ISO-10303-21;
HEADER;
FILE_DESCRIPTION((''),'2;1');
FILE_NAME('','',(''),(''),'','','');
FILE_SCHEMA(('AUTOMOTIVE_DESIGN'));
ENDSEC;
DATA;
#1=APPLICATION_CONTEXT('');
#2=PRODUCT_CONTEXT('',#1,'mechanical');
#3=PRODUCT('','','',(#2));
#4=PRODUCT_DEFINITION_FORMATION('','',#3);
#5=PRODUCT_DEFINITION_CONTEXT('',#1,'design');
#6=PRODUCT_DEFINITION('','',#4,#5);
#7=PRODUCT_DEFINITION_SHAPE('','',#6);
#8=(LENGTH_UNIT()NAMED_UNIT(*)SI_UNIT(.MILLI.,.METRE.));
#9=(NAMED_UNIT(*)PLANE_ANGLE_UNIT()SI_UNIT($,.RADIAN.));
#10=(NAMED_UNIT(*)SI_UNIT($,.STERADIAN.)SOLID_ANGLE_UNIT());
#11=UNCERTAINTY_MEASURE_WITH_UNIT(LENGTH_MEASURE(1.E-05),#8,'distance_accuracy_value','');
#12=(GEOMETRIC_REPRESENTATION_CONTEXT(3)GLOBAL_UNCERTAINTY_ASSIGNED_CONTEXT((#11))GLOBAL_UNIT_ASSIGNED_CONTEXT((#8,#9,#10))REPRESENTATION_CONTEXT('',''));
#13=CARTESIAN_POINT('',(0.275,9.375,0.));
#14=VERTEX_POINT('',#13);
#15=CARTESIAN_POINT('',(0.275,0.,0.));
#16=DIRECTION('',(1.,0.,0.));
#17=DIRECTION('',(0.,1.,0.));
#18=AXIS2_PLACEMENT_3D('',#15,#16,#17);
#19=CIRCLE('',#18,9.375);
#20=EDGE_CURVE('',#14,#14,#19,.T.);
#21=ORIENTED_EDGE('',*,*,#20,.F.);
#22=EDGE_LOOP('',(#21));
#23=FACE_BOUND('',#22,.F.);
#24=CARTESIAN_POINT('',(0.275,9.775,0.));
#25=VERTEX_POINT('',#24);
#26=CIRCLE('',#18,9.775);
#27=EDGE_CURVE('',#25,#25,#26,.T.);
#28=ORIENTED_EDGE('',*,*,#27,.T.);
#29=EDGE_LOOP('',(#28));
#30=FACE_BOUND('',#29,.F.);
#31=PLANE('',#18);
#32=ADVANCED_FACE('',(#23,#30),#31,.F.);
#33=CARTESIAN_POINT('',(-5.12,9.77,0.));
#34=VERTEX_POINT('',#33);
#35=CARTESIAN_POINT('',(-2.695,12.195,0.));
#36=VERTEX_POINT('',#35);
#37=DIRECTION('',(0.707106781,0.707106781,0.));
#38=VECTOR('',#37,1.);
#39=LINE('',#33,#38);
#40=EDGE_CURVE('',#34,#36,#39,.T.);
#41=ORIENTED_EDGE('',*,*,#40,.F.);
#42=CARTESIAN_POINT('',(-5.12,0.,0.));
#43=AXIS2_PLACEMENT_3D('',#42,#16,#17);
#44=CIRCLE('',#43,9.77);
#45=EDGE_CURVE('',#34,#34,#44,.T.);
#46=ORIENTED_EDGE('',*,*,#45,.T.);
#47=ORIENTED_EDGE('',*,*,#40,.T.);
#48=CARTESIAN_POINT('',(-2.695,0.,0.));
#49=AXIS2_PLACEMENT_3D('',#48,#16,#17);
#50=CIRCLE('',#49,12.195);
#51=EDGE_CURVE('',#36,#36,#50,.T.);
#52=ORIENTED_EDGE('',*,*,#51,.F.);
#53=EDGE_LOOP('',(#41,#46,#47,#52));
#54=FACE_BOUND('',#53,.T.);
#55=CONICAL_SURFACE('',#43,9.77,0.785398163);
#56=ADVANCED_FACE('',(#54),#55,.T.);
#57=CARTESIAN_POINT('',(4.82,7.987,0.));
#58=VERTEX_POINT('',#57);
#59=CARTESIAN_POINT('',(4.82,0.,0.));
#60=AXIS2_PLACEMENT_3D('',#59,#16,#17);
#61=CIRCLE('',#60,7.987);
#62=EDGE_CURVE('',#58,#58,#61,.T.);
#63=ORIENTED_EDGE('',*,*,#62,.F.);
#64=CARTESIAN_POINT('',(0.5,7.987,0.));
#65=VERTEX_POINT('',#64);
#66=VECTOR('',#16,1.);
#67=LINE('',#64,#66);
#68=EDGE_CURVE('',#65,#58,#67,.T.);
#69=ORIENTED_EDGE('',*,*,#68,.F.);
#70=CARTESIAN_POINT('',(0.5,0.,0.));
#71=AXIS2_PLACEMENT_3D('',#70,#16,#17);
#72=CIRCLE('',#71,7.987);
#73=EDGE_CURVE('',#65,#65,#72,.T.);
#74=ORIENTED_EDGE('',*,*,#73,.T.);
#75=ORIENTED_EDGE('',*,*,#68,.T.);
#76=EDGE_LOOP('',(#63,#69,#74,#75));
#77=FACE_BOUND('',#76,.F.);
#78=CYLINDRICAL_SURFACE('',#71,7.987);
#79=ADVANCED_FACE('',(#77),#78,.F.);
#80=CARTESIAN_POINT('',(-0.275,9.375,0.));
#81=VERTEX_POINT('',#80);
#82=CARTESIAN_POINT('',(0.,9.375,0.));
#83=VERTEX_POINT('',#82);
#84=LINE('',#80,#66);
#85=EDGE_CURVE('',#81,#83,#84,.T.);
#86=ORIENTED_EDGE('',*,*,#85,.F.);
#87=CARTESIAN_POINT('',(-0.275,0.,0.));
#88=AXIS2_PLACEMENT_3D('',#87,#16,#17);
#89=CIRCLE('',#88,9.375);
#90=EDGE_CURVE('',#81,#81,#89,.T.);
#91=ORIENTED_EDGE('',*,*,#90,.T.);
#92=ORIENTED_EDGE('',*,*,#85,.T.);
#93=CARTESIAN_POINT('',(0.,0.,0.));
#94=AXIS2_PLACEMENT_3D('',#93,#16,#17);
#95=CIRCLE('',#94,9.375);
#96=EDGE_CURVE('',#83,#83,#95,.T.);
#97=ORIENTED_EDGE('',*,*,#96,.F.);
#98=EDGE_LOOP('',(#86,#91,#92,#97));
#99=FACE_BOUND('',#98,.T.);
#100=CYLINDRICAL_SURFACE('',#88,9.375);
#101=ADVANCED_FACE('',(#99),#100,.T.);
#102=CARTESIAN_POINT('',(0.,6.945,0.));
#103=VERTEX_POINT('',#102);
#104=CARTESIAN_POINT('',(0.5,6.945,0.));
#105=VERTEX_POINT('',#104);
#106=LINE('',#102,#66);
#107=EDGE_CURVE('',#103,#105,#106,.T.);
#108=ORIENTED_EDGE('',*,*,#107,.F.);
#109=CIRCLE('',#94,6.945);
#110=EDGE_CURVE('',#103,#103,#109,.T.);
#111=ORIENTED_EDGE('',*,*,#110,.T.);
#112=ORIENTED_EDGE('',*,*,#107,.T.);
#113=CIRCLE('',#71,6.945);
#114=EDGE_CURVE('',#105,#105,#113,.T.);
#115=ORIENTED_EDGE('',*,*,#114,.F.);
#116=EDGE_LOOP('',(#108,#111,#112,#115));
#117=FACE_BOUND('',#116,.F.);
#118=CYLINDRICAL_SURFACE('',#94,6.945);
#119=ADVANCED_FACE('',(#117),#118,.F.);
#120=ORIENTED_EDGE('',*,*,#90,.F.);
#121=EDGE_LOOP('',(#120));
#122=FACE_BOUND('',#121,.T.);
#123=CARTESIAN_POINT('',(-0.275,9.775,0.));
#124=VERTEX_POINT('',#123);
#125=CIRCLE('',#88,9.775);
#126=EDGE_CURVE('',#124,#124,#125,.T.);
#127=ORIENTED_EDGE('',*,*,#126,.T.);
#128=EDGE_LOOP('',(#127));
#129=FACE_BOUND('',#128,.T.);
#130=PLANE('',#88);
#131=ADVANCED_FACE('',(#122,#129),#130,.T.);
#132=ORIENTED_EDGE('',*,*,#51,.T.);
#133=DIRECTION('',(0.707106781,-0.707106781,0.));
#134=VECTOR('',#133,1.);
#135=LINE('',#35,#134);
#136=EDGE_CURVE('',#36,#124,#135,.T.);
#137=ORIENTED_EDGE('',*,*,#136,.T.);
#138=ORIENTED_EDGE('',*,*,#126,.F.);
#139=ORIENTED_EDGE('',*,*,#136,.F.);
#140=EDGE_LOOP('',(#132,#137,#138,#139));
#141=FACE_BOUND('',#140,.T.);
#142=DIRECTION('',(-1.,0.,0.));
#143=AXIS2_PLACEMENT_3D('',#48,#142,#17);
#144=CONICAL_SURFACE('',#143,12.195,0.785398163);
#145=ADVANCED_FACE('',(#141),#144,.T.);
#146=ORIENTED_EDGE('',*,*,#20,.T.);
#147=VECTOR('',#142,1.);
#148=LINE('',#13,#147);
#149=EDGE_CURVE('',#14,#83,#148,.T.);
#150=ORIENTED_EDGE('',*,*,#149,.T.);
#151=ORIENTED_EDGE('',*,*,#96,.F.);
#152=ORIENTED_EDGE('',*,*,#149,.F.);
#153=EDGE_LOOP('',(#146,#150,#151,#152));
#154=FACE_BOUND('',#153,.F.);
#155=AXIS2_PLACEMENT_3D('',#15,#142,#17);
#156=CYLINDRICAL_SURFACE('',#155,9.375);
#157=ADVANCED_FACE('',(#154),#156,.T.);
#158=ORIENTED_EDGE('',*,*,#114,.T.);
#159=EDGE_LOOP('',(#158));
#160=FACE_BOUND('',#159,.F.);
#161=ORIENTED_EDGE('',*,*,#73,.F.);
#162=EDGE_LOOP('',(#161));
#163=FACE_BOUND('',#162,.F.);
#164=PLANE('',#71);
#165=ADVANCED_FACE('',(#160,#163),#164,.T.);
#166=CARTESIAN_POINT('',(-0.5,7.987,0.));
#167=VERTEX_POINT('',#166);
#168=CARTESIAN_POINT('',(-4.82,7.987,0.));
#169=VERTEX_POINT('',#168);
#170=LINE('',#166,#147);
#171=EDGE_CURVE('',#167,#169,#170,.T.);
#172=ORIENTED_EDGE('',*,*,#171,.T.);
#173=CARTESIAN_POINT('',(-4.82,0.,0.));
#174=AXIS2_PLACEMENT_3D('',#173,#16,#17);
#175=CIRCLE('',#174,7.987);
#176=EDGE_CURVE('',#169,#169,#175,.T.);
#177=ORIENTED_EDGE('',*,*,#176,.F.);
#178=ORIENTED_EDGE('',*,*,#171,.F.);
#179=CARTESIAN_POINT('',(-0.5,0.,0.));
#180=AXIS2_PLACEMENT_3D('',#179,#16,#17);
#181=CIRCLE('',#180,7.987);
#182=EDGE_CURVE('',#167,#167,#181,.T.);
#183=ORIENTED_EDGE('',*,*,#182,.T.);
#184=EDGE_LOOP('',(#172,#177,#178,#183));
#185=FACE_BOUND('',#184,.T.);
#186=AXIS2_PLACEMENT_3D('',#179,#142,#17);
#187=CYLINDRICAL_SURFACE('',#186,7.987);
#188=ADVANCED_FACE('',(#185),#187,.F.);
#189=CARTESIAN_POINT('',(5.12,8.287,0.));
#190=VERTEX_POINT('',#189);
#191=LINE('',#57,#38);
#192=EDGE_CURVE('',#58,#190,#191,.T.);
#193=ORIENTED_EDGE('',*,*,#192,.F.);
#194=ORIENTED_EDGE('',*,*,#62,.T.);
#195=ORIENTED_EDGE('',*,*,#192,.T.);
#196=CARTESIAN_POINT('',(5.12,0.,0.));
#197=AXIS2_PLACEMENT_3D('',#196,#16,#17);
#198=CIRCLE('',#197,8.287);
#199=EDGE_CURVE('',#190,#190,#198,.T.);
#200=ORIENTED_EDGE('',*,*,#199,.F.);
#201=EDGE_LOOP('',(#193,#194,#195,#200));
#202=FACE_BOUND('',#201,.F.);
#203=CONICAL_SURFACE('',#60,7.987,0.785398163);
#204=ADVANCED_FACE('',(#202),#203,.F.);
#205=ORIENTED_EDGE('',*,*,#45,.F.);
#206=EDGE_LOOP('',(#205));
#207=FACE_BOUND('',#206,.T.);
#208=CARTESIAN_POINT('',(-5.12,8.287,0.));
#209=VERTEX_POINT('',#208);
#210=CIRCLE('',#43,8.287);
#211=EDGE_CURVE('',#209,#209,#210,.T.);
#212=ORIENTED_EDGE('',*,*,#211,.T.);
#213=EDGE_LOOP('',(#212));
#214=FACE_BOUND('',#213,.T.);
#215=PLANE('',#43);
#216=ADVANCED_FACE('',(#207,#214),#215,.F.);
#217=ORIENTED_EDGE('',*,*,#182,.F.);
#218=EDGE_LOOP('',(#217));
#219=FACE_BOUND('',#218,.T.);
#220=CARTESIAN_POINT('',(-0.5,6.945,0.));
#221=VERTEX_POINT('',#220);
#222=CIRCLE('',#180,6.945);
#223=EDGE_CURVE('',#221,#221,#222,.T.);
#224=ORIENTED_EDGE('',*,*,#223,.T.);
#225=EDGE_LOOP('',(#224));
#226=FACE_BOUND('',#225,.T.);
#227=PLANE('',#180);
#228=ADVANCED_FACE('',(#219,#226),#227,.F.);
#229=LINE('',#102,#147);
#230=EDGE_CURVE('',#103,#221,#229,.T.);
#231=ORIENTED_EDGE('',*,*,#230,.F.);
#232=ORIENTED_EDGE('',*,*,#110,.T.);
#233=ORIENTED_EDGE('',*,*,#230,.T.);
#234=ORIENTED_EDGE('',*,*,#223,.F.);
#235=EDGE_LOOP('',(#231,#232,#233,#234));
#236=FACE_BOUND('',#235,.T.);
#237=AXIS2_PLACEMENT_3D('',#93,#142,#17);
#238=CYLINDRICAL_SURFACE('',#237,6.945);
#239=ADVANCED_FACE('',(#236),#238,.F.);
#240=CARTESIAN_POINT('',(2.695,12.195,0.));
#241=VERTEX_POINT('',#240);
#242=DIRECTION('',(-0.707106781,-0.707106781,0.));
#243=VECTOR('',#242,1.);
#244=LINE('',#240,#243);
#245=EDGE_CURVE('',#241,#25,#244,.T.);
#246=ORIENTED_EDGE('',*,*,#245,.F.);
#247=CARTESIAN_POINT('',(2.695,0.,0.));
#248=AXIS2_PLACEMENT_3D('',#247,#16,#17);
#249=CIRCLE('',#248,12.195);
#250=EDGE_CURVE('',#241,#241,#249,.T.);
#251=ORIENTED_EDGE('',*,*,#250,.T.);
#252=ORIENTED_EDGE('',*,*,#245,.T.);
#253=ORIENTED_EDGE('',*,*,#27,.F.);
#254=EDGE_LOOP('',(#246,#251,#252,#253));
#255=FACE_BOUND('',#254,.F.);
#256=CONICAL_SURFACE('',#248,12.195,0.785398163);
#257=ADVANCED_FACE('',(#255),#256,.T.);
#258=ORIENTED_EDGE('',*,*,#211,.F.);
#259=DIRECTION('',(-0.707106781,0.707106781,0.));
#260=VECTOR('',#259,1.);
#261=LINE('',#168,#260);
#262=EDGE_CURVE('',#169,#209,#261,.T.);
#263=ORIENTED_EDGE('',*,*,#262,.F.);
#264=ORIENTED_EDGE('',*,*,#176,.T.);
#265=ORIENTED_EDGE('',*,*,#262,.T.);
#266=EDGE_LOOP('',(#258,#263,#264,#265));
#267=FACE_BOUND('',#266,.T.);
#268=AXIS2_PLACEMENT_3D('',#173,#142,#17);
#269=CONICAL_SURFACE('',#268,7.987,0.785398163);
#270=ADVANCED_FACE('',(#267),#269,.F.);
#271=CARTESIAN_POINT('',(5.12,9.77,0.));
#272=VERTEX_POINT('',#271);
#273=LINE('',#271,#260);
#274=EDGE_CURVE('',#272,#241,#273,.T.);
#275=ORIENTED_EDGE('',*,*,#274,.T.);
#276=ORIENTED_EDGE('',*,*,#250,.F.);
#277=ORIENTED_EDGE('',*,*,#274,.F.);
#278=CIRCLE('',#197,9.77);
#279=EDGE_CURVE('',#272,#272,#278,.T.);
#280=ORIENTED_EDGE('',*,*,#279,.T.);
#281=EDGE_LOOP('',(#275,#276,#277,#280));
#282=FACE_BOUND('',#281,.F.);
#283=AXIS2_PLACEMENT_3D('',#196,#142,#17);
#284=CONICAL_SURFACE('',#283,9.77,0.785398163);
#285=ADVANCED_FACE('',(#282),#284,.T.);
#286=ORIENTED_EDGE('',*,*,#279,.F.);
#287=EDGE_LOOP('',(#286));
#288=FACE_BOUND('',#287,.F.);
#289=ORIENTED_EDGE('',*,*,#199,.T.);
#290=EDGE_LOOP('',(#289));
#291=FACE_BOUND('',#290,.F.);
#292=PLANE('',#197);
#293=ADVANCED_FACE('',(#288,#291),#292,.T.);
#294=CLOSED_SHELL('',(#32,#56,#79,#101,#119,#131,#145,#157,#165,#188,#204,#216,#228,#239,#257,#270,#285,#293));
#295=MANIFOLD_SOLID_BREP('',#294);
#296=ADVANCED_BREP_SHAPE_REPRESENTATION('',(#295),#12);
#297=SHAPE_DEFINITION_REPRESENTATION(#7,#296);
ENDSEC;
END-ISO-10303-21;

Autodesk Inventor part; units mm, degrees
ref_plane "YZ Plane" through (0, 0, 0) normal (1, 0, 0) x (0, 1, 0)
ref_plane "XZ Plane" through (0, 0, 0) normal (0, 1, 0) x (-1, 0, 0)
ref_plane "XY Plane" through (0, 0, 0) normal (0, 0, 1) x (1, 0, 0)
sketch "Sketch1" plane through (0, 0, 0) normal (0, 0, 1) x (1, 0, 0)
  line L0 (0, 0) -> (10, 0)
  line L1 (0, 0) -> (0, 6.945) construction
  line L2 (0, 6.945) -> (0.5, 6.945)
  line L3 (0.5, 6.945) -> (0.5, 7.987)
  line L4 (0.5, 7.987) -> (4.82, 7.987)
  line L5 (5.12, 8.287) -> (5.12, 9.77)
  line L6 (5.12, 9.77) -> (2.695, 12.195)
  line L7 (2.695, 12.195) -> (0.275, 9.775)
  line L8 (0.275, 9.775) -> (0.275, 9.375)
  line L9 (0.275, 9.375) -> (0, 9.375)
  line L10 (4.82, 7.987) -> (5.12, 8.287)
  line L11 (0, 6.945) -> (0, 11.2763) construction
  line L12 (0, 6.945) -> (-0.5, 6.945)
  line L13 (-0.5, 6.945) -> (-0.5, 7.987)
  line L14 (-0.5, 7.987) -> (-4.82, 7.987)
  line L15 (-5.12, 8.287) -> (-5.12, 9.77)
  line L16 (-5.12, 9.77) -> (-2.695, 12.195)
  line L17 (-2.695, 12.195) -> (-0.275, 9.775)
  line L18 (-0.275, 9.775) -> (-0.275, 9.375)
  line L19 (-0.275, 9.375) -> (0, 9.375)
  line L20 (-4.82, 7.987) -> (-5.12, 8.287)
  point P0 (5.12, 7.987)
  point P1 (-5.12, 7.987)
  dimension "d0" = 10
  dimension "d2" = 0.5
  dimension "d3" = 15.974
  dimension "d4" = 13.89
  dimension "d5" = 0.3
  dimension "d6" = 0.3
  dimension "d7" = 19.54
  dimension "d8" = 5.12
  dimension "d12" = 24.39
  dimension "d14" = 18.75
  dimension "d16" = 0.275
  dimension "d17" = 135
  dimension "d18" = 135
  dimension "d19" = 2.695
revolve "Revolution1" add sketch "Sketch1" angle 360 about axis through (0, 0, 0) along (1, 0, 0)
equation "\"d6\" = d5"
properties part number "Dual V Wheel" material "Acetal Resin, Black"
